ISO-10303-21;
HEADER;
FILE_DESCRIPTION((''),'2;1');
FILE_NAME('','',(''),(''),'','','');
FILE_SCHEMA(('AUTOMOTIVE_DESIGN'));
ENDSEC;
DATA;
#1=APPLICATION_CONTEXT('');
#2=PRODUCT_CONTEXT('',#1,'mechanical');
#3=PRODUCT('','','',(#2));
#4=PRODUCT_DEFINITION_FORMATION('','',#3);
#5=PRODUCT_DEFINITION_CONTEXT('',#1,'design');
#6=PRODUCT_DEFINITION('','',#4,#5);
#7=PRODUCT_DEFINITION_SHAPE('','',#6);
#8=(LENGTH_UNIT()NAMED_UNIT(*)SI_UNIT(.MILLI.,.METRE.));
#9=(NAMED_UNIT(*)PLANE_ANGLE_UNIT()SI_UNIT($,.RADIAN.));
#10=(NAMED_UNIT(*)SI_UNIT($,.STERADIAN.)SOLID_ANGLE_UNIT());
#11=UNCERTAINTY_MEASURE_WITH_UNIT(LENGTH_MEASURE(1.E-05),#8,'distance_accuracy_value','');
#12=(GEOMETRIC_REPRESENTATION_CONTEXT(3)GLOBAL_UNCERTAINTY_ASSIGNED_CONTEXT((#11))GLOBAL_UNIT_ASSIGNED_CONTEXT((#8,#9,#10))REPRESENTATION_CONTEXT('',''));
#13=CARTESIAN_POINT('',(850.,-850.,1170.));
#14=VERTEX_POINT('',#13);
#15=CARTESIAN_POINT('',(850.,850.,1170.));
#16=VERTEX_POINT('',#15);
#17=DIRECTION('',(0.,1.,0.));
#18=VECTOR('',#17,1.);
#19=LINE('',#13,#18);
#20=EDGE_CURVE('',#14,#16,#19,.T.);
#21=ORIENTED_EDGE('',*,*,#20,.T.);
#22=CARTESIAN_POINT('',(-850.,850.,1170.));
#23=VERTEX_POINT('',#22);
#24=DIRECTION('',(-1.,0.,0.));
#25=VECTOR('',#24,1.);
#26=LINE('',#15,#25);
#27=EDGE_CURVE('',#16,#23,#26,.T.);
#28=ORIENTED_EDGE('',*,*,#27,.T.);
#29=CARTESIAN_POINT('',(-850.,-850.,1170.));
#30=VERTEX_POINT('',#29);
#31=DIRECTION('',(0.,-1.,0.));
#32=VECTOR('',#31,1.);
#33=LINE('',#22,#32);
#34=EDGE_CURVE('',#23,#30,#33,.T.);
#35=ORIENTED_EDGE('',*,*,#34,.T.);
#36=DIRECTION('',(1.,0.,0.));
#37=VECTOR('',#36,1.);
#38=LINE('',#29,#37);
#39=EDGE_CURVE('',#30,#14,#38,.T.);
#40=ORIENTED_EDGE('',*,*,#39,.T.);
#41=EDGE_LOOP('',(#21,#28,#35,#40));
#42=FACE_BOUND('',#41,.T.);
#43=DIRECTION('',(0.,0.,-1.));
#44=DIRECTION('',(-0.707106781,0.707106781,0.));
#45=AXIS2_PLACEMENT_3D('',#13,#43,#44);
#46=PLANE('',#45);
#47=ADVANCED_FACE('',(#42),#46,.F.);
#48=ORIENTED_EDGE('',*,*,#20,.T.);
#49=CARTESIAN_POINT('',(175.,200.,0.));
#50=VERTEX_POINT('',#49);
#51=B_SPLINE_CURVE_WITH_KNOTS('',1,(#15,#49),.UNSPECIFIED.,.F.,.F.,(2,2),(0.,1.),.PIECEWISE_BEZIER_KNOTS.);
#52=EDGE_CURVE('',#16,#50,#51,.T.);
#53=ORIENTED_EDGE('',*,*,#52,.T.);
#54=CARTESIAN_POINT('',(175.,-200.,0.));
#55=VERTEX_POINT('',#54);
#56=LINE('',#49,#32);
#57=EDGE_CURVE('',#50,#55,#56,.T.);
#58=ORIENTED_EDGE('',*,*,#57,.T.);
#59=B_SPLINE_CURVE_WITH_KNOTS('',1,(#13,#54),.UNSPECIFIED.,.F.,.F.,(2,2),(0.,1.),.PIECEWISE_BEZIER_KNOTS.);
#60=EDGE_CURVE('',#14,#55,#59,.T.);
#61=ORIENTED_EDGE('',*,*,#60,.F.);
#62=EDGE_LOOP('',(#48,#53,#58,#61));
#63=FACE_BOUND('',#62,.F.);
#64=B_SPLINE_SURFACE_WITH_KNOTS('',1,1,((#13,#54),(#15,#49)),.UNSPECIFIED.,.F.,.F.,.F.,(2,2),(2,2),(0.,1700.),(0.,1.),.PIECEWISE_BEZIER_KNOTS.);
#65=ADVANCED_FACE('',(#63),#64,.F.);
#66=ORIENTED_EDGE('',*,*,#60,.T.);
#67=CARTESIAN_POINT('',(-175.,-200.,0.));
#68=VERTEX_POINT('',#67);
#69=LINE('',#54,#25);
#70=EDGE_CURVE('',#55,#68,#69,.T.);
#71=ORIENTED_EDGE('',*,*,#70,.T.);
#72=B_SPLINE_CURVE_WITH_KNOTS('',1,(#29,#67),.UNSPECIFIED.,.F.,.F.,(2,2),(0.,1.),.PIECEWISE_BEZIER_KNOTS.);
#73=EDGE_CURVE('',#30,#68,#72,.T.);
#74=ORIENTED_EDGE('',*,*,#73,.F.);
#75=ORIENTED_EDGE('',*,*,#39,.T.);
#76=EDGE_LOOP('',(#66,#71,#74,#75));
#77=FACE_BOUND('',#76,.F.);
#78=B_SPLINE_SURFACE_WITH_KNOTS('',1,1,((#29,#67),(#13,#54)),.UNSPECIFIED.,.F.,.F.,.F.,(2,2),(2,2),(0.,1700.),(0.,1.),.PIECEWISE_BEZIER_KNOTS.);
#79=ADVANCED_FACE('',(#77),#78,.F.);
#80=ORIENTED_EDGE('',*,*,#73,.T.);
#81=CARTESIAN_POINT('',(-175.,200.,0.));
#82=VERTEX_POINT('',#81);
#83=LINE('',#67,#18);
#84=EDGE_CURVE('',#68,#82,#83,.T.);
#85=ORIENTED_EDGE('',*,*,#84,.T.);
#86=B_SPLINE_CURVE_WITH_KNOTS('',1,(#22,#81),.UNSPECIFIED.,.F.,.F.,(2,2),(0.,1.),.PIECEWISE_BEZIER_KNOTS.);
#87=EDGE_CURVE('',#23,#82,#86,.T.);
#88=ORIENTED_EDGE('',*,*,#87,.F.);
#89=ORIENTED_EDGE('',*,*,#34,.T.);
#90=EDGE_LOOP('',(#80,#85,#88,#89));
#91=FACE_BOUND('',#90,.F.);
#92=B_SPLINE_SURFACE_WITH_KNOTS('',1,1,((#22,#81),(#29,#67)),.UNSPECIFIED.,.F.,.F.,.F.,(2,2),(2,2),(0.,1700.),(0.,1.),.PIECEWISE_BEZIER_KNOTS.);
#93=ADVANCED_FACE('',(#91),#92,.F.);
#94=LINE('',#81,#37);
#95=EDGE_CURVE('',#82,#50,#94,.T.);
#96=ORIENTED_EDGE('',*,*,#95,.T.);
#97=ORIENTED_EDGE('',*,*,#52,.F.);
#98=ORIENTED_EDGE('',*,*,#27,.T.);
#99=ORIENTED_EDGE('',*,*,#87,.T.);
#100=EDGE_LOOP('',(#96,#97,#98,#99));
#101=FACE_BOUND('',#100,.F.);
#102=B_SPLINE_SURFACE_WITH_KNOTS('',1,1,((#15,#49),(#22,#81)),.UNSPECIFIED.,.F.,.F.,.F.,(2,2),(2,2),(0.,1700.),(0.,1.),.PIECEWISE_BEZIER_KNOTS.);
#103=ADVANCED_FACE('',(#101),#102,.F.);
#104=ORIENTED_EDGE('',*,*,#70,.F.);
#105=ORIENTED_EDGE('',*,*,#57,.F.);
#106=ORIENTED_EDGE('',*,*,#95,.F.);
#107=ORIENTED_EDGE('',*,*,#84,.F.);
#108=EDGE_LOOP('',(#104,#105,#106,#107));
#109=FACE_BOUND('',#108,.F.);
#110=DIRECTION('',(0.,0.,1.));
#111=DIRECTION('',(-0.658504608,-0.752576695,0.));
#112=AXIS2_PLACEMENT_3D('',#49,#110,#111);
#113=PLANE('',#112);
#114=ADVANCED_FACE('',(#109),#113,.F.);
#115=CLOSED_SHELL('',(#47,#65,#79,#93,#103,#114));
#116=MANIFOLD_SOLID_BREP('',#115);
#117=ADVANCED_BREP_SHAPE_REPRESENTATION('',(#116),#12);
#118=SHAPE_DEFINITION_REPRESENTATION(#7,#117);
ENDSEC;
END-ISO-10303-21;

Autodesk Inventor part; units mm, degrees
ref_plane "YZ Plane" through (0, 0, 0) normal (1, 0, 0) x (0, 1, 0)
ref_plane "XZ Plane" through (0, 0, 0) normal (0, 1, 0) x (-1, 0, 0)
sketch "Sketch2" plane through (0, 0, 0) normal (0, 0, 1) x (1, 0, 0)
  line L0 (175, -200) -> (-175, -200)
  line L1 (-175, -200) -> (-175, 200)
  line L2 (-175, 200) -> (175, 200)
  line L3 (175, 200) -> (175, -200)
  line L4 (175, -200) -> (-175, 200) construction
  line L5 (-175, -200) -> (175, 200) construction
  point P0 (0, 0)
  point P1 (0, 0)
  dimension "d9" = 400
  dimension "d16" = 350
ref_plane "Work Plane1" through (0, 0, 1170) normal (0, 0, 1) x (1, 0, 0)
sketch "Sketch3" plane through (0, 0, 1170) normal (0, 0, 1) x (1, 0, 0)
  line L0 (850, 850) -> (-850, 850)
  line L1 (-850, 850) -> (-850, -850)
  line L2 (-850, -850) -> (850, -850)
  line L3 (850, -850) -> (850, 850)
  line L4 (850, 850) -> (-850, -850) construction
  line L5 (-850, 850) -> (850, -850) construction
  point P0 (0, 0)
  point P1 (0, 0)
  dimension "d11" = 1700
  dimension "d17" = 1700
loft "Loft1" add profiles "Sketch3", "Sketch2"
equation "\"d9\" = Конус_дно_длина"
equation "\"d16\" = Конус_дно_ширина"
equation "\"d11\" = Конус_Базовая_длина"
equation "\"d17\" = Конус_Базовая_ширина"
equation "\"Конус_дно_длина\" = 400"
equation "\"Конус_дно_ширина\" = 350"
equation "\"Конус_Базовая_длина\" = 1700"
equation "\"Конус_Базовая_ширина\" = 1700"
properties part number "NDM-VOS dummy2" material "Water"
